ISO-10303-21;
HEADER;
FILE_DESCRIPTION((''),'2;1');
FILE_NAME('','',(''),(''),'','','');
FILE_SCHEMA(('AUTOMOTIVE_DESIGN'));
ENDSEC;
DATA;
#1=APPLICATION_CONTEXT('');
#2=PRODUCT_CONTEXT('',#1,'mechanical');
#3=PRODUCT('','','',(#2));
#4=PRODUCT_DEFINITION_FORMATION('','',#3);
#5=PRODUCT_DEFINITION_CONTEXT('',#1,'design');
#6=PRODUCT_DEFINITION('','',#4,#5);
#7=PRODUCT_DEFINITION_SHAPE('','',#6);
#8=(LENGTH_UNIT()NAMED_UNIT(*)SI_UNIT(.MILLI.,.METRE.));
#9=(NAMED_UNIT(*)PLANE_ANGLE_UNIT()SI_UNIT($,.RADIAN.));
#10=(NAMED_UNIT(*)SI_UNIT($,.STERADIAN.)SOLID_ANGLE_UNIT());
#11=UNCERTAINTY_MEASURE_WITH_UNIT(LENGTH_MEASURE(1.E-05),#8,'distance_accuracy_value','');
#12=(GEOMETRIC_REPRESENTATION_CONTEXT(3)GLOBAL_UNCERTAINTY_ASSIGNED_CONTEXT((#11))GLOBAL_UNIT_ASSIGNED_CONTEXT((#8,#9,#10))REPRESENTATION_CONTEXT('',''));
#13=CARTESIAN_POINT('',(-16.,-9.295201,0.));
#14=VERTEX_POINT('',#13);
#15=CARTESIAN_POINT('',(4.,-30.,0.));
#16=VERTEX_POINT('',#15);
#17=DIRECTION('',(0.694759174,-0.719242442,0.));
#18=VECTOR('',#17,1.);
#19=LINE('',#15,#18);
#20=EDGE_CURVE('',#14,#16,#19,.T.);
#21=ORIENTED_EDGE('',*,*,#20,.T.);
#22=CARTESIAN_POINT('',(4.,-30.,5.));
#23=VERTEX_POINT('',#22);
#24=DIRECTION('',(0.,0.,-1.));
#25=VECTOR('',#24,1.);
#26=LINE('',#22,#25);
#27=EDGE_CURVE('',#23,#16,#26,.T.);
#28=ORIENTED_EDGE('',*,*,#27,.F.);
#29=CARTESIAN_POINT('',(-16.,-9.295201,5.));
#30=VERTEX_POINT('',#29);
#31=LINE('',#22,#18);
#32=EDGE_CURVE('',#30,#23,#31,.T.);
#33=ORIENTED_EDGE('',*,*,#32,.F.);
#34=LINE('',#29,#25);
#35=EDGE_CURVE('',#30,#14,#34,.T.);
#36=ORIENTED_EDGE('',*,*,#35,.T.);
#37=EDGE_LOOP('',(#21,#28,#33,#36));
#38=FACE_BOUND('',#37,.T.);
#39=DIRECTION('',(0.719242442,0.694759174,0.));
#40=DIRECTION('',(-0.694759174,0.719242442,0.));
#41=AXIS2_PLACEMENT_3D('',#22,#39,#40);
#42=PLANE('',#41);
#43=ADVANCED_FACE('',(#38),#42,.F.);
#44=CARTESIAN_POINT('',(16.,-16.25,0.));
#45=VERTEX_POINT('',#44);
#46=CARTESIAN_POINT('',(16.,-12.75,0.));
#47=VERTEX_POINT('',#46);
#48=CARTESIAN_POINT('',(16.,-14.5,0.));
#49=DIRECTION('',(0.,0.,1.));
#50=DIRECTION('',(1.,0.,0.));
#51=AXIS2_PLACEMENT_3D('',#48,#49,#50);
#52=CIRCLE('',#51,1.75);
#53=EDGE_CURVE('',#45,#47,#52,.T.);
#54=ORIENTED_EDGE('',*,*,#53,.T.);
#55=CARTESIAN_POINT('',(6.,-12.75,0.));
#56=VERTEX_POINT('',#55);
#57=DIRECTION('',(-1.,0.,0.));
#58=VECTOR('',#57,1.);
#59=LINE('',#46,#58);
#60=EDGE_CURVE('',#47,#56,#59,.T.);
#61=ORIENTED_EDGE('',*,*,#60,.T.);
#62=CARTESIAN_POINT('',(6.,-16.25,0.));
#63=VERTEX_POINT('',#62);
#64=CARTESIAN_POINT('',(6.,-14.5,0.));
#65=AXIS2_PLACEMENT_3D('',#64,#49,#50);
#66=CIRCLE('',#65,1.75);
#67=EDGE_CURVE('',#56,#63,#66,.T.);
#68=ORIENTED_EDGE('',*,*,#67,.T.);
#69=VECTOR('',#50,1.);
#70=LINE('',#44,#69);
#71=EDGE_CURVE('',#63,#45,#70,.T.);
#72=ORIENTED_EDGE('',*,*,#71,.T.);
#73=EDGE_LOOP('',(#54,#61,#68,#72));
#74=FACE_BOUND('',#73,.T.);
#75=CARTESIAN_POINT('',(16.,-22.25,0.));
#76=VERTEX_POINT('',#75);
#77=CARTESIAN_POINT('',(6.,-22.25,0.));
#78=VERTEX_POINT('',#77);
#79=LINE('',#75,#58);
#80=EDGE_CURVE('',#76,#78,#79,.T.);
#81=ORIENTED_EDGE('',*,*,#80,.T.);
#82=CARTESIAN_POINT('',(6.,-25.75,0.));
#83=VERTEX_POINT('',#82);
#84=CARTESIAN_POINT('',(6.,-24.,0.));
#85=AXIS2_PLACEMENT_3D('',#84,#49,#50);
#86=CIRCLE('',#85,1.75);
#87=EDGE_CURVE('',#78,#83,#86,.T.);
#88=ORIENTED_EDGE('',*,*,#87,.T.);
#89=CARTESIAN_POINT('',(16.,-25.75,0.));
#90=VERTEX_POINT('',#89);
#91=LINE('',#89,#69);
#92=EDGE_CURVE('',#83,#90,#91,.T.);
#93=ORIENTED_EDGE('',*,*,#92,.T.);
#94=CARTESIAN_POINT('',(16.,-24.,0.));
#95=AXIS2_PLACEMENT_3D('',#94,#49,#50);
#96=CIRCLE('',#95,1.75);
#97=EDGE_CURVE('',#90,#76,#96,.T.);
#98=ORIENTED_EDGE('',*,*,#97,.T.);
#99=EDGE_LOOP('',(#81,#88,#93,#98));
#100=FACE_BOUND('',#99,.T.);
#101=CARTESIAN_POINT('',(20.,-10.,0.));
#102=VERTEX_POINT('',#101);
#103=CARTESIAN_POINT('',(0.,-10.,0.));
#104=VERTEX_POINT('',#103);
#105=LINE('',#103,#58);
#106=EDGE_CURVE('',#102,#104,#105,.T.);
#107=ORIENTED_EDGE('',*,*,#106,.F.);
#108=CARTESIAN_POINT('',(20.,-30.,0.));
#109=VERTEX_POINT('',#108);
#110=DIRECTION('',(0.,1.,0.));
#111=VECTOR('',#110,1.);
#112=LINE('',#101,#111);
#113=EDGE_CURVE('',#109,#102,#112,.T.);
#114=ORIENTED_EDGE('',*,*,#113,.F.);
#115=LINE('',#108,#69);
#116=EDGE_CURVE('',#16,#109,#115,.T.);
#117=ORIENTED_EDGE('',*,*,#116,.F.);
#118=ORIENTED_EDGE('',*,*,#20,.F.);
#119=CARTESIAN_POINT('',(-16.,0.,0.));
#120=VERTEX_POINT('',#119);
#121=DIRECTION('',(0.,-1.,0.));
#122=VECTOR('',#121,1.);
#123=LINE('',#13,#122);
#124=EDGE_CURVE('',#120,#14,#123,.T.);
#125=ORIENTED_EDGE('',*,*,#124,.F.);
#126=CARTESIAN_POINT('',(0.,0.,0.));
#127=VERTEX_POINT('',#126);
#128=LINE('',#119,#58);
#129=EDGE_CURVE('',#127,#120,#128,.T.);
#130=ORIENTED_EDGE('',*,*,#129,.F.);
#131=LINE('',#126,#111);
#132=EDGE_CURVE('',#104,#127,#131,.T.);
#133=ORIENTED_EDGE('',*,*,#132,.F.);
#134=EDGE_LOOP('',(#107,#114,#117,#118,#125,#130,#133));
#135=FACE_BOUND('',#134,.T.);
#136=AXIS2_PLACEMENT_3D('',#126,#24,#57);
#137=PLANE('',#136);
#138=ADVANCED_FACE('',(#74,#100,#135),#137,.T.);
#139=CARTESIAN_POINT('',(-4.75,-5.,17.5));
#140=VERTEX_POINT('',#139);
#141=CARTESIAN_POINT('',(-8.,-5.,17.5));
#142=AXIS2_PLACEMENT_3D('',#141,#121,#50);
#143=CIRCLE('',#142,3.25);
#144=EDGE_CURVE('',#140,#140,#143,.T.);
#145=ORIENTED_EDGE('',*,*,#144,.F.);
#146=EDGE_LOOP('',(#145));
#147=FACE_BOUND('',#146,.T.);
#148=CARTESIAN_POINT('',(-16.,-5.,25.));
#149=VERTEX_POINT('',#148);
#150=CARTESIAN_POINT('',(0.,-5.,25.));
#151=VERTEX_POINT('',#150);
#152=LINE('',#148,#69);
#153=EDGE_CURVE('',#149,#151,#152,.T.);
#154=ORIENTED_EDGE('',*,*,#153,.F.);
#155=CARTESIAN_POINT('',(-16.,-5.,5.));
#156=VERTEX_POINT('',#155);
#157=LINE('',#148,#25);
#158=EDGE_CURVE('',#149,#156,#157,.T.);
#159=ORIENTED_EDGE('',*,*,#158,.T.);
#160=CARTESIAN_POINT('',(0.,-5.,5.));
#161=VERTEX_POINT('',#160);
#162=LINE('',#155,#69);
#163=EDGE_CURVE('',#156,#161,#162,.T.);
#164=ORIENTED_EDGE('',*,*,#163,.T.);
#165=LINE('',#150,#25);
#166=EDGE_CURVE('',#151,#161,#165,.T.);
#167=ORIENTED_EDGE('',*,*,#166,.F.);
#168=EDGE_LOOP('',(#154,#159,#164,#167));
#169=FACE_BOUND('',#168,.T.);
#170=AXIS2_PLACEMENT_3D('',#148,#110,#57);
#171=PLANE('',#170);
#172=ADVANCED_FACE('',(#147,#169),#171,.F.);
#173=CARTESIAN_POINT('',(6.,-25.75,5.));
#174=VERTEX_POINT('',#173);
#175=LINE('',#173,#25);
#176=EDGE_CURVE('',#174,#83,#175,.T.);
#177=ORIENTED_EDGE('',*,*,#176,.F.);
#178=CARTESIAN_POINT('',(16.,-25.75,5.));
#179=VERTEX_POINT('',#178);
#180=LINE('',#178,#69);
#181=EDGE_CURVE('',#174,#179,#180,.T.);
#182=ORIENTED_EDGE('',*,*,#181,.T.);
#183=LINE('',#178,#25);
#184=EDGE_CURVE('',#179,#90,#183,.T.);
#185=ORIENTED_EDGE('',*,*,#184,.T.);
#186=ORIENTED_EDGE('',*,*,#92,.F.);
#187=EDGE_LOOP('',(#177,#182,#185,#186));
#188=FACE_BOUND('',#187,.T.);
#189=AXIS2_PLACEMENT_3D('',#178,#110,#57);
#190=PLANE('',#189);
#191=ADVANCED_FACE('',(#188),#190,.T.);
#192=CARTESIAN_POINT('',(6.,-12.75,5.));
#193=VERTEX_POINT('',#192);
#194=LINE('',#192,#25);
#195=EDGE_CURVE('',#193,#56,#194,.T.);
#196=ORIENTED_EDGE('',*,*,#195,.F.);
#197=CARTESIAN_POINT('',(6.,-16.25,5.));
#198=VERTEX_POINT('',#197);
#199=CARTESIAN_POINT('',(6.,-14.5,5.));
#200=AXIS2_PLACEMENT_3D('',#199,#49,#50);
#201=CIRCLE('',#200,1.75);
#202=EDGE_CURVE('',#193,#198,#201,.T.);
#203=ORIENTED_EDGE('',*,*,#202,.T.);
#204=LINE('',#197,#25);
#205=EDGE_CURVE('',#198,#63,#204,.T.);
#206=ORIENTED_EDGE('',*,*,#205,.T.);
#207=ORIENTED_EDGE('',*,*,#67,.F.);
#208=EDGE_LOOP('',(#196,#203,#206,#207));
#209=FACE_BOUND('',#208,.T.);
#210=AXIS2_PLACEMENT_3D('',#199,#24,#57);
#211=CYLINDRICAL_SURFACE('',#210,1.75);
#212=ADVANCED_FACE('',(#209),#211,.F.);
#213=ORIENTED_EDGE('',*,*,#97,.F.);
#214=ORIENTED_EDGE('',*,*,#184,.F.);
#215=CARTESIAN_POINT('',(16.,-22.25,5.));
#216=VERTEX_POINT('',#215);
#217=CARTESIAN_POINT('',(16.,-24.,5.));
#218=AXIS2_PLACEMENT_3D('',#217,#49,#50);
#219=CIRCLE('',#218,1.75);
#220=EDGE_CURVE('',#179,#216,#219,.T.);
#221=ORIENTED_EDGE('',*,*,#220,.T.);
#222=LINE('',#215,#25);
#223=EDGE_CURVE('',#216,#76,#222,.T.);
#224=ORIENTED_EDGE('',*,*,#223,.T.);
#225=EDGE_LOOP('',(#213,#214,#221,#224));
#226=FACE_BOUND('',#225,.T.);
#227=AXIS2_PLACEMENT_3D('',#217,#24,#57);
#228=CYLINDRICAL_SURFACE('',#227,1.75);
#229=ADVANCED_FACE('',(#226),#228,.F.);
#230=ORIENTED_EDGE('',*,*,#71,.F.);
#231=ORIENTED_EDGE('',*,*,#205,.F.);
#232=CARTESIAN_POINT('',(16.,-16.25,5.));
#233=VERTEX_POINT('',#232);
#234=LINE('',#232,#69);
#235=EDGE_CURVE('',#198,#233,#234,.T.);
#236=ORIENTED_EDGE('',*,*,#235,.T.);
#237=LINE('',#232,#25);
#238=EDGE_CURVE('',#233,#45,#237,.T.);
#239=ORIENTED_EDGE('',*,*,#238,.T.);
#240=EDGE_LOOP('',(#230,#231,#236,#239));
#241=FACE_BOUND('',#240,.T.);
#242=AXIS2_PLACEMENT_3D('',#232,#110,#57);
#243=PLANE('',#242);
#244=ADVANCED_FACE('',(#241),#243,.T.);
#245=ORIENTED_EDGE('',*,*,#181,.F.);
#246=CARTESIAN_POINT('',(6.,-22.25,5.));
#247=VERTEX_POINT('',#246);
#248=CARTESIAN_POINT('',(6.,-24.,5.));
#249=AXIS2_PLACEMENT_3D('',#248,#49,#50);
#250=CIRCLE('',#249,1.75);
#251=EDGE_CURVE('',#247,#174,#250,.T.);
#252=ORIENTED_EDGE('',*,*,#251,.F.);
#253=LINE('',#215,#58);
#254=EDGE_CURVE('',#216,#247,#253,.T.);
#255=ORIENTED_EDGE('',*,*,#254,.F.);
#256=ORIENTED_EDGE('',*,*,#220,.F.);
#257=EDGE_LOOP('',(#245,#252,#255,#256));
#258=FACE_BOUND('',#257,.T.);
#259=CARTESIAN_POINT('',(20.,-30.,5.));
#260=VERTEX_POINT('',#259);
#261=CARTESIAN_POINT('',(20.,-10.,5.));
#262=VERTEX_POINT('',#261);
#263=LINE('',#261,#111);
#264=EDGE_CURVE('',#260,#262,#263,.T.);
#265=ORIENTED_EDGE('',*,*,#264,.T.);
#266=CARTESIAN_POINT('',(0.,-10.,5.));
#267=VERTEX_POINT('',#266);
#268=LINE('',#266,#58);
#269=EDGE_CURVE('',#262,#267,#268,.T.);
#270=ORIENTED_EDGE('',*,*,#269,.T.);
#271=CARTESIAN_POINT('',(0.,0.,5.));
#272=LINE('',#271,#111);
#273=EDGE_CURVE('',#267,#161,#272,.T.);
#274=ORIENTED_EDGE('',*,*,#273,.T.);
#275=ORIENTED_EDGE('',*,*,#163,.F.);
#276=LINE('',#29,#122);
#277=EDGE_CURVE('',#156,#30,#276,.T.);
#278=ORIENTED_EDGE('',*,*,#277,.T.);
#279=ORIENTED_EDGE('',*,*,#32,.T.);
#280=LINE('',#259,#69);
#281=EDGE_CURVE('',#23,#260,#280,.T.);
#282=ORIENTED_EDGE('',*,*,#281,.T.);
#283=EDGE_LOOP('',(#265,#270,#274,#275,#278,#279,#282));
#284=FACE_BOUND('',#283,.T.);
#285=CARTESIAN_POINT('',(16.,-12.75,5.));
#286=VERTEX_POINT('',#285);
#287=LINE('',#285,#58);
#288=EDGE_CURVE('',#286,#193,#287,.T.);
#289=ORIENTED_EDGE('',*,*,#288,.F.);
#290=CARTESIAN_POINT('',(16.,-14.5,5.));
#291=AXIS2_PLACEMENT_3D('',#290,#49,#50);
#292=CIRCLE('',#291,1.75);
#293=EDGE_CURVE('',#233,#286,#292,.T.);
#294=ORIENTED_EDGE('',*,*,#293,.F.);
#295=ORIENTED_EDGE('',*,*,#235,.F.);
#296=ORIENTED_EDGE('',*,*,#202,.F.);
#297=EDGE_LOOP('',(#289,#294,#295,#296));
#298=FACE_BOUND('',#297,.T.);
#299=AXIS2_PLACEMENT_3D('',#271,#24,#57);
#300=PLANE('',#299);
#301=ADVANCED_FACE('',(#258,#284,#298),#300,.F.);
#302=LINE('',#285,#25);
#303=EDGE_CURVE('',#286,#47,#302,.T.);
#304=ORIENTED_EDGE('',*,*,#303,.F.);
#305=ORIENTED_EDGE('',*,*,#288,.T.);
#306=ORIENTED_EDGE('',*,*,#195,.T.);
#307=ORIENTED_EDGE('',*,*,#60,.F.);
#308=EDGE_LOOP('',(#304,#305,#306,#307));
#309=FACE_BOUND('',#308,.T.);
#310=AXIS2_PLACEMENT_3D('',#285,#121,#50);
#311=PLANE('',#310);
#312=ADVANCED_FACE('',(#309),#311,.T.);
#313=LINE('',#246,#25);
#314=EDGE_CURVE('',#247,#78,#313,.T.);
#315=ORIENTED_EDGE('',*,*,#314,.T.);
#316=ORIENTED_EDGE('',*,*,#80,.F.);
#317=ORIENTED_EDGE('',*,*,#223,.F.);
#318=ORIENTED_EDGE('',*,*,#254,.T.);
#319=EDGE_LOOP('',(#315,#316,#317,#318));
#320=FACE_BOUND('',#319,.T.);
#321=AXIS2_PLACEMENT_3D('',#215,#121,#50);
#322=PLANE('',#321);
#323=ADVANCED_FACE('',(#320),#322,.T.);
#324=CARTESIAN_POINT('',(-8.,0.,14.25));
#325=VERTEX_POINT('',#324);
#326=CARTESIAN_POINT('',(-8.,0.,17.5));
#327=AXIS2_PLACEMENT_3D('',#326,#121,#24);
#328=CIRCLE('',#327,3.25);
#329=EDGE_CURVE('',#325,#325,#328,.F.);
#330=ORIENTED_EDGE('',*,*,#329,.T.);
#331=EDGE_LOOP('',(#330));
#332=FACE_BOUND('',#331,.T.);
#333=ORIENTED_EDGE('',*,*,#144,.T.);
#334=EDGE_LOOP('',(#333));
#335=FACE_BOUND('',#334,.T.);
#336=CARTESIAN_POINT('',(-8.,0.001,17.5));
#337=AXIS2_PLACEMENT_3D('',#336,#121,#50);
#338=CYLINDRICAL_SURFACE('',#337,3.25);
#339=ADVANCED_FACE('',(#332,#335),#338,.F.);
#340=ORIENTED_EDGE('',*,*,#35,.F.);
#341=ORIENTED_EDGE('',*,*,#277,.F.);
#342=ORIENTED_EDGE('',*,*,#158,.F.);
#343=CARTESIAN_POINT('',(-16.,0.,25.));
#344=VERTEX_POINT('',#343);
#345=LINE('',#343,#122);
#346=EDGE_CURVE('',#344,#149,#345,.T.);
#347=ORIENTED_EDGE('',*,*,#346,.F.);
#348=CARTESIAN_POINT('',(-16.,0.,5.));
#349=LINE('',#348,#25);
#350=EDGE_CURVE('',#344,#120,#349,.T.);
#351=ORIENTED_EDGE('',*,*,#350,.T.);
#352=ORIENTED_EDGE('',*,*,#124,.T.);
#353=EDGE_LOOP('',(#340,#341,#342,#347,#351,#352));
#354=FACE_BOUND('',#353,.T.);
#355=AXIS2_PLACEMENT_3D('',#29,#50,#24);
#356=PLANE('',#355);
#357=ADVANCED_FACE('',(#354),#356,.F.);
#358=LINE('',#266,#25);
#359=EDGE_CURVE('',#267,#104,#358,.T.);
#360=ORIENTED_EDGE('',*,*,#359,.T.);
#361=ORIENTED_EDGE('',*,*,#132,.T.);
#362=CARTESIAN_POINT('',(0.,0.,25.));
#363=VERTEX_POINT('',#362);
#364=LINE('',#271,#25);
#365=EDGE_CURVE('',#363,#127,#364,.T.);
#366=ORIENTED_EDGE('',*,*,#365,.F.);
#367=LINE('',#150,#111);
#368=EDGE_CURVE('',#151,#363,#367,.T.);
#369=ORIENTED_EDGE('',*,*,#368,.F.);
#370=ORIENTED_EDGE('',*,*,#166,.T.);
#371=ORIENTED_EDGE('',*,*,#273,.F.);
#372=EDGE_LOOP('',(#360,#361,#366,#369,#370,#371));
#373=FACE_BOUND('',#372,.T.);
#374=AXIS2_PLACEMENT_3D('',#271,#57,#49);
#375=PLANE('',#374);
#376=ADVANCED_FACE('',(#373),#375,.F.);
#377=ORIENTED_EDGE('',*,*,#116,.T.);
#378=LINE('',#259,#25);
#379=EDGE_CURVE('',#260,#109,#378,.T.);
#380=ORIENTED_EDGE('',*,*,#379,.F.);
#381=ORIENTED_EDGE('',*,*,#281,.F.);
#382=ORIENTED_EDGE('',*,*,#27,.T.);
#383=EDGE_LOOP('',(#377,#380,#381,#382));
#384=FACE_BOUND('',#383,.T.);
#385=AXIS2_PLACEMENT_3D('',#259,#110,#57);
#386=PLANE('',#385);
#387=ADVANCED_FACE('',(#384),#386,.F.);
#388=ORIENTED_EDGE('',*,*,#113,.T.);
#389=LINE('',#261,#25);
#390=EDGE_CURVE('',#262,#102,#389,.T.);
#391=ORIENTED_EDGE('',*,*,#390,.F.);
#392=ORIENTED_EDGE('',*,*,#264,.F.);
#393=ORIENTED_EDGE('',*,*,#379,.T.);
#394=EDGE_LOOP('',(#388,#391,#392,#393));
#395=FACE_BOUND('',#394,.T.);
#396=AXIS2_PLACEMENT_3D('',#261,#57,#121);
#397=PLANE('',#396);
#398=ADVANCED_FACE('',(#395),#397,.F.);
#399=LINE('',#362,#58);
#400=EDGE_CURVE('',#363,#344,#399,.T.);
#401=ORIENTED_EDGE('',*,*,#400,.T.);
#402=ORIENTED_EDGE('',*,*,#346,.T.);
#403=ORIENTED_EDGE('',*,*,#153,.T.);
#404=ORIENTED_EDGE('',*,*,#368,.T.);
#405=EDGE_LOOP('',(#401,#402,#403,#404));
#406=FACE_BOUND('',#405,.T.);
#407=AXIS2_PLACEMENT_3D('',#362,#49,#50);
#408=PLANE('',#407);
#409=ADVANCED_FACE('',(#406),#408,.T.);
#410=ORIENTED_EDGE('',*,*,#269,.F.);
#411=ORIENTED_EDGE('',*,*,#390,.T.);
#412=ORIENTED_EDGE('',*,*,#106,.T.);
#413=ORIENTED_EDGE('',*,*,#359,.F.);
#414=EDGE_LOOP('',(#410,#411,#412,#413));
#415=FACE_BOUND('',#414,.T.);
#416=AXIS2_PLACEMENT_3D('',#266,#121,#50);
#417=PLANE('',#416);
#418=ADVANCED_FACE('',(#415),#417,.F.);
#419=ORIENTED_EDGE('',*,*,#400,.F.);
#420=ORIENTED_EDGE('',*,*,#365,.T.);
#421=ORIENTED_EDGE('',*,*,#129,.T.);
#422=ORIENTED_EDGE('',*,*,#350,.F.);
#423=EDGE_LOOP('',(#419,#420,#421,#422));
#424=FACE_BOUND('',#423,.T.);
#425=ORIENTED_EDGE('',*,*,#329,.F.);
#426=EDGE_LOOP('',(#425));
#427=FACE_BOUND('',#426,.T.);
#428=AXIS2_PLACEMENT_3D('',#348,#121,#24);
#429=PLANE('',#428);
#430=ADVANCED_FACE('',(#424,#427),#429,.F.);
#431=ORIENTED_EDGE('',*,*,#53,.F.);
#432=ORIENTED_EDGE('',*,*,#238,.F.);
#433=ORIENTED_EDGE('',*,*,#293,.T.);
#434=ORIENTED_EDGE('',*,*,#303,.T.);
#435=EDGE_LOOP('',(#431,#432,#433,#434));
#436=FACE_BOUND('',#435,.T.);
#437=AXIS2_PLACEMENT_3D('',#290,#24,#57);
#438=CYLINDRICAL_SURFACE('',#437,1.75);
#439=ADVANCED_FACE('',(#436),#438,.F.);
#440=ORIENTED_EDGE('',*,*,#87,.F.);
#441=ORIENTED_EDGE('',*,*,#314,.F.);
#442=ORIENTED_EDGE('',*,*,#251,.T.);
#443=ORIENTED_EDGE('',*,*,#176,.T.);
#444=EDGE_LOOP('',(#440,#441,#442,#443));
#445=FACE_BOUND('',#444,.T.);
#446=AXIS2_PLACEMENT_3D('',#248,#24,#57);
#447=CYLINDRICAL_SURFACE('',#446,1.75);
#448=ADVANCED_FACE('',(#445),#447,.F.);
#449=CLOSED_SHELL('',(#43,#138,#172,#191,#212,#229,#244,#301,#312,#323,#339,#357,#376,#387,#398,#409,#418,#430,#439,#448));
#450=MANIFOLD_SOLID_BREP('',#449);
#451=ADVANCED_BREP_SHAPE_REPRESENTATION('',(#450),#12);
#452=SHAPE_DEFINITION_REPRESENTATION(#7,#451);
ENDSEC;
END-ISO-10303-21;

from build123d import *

# Parameters (mm, degrees)
ESTRUSIONE_ESTRUSIONE1_DEPTH = 5
SCHIZZO2_W                   = 16
SCHIZZO2_H                   = 5
ESTRUSIONE_ESTRUSIONE2_DEPTH = 20
TAGLIO_ESTRUSIONE1_REACH     = 42.62
SCHIZZO3_R                   = 3.25


with BuildPart() as part:
    # Schizzo1 → Estrusione-Estrusione1 (new body)
    with BuildSketch(Plane.XY):
        Polygon((-16, 0), (0, 0), (0, -10), (20, -10), (20, -30), (4, -30), (-16, -9.295201316), align=None)
        with BuildLine():
            Line((16, -22.25), (6, -22.25))
            ThreePointArc((6, -22.25), (4.25, -24), (6, -25.75))
            Line((6, -25.75), (16, -25.75))
            ThreePointArc((16, -25.75), (17.75, -24), (16, -22.25))
        make_face(mode=Mode.SUBTRACT)
        with BuildLine():
            Line((16, -12.75), (6, -12.75))
            ThreePointArc((6, -12.75), (4.25, -14.5), (6, -16.25))
            Line((6, -16.25), (16, -16.25))
            ThreePointArc((16, -16.25), (17.75, -14.5), (16, -12.75))
        make_face(mode=Mode.SUBTRACT)
    extrude(amount=ESTRUSIONE_ESTRUSIONE1_DEPTH)

    # Schizzo2 → Estrusione-Estrusione2 (add)
    with BuildSketch(Plane.XY.offset(5)):
        with Locations((-8, -2.5)):
            Rectangle(SCHIZZO2_W, SCHIZZO2_H)
    extrude(amount=ESTRUSIONE_ESTRUSIONE2_DEPTH)

    # Schizzo3 → Taglio-Estrusione1 (cut, up to next)
    with BuildSketch(Plane.XZ.offset(5), mode=Mode.PRIVATE) as taglio_estrusione1_sk1:
        with Locations((-8, 17.5)):
            Circle(SCHIZZO3_R)
    taglio_estrusione1_tool1 = extrude(taglio_estrusione1_sk1.sketch, amount=-TAGLIO_ESTRUSIONE1_REACH, mode=Mode.PRIVATE) & part.part
    add(taglio_estrusione1_tool1.solids().sort_by_distance((-8, -5, 17.5))[0], mode=Mode.SUBTRACT)


solid = part.part
